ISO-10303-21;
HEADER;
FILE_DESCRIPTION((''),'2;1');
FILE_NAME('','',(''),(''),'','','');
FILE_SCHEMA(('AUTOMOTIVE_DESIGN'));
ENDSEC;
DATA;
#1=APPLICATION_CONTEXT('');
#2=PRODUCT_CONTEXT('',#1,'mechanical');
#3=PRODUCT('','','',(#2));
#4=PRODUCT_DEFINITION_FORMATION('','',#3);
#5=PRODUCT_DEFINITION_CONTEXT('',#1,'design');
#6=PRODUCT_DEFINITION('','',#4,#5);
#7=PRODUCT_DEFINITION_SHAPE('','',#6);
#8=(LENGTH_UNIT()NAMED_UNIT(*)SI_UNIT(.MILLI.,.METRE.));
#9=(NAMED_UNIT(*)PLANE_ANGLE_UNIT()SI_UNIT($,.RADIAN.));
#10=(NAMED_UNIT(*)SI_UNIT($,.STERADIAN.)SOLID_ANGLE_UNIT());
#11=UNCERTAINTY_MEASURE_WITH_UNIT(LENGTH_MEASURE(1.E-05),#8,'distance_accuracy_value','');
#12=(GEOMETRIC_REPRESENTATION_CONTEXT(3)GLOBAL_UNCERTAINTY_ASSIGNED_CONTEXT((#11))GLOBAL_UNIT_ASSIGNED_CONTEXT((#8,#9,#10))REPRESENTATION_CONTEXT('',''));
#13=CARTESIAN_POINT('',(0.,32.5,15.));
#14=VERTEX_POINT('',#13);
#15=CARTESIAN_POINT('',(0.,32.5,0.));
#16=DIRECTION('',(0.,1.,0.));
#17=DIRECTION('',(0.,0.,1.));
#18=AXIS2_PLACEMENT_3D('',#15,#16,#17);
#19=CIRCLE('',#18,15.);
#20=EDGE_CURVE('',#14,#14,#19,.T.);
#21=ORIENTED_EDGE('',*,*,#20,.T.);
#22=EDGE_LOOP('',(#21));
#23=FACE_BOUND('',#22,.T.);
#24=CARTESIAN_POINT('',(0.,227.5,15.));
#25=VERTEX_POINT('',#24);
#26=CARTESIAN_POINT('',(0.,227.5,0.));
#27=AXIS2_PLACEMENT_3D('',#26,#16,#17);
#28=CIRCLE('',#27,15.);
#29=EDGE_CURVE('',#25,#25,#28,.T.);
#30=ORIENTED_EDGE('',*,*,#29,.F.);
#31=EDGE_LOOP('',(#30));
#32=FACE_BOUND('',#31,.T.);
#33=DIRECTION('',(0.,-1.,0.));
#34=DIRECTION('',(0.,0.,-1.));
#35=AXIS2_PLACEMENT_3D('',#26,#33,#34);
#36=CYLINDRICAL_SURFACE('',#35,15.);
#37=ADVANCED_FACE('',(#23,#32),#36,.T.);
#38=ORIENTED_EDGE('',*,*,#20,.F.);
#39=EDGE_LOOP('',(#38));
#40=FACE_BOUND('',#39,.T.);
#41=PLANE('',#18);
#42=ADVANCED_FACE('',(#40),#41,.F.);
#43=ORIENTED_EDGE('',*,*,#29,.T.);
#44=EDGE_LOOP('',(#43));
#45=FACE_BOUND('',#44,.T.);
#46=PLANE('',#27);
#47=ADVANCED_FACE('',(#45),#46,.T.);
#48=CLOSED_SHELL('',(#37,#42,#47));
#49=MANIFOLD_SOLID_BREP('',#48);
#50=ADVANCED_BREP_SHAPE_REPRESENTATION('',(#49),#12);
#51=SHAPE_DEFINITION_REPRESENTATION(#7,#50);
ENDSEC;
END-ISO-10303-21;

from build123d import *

# Parameters (mm, degrees)
SKETCH1_R           = 20
BOSS_EXTRUDE1_DEPTH = 260
SCALE1_SCALE        = 0.75


with BuildPart() as part:
    # Sketch1 → Boss-Extrude1 (new body)
    with BuildSketch(Plane(origin=(0, 0, 0), x_dir=(1, 0, 0), z_dir=(0, 1, 0))):
        with Locations(Location((0, 0, 0), (0, 0, 270))):
            Circle(SKETCH1_R)
    extrude(amount=BOSS_EXTRUDE1_DEPTH)


with BuildPart() as part_1:
    # Scale1: scaled about (0, 130, 0)
    add(part.part.scale(SCALE1_SCALE).moved(Location((0, 32.5, 0))))


solid = part_1.part
